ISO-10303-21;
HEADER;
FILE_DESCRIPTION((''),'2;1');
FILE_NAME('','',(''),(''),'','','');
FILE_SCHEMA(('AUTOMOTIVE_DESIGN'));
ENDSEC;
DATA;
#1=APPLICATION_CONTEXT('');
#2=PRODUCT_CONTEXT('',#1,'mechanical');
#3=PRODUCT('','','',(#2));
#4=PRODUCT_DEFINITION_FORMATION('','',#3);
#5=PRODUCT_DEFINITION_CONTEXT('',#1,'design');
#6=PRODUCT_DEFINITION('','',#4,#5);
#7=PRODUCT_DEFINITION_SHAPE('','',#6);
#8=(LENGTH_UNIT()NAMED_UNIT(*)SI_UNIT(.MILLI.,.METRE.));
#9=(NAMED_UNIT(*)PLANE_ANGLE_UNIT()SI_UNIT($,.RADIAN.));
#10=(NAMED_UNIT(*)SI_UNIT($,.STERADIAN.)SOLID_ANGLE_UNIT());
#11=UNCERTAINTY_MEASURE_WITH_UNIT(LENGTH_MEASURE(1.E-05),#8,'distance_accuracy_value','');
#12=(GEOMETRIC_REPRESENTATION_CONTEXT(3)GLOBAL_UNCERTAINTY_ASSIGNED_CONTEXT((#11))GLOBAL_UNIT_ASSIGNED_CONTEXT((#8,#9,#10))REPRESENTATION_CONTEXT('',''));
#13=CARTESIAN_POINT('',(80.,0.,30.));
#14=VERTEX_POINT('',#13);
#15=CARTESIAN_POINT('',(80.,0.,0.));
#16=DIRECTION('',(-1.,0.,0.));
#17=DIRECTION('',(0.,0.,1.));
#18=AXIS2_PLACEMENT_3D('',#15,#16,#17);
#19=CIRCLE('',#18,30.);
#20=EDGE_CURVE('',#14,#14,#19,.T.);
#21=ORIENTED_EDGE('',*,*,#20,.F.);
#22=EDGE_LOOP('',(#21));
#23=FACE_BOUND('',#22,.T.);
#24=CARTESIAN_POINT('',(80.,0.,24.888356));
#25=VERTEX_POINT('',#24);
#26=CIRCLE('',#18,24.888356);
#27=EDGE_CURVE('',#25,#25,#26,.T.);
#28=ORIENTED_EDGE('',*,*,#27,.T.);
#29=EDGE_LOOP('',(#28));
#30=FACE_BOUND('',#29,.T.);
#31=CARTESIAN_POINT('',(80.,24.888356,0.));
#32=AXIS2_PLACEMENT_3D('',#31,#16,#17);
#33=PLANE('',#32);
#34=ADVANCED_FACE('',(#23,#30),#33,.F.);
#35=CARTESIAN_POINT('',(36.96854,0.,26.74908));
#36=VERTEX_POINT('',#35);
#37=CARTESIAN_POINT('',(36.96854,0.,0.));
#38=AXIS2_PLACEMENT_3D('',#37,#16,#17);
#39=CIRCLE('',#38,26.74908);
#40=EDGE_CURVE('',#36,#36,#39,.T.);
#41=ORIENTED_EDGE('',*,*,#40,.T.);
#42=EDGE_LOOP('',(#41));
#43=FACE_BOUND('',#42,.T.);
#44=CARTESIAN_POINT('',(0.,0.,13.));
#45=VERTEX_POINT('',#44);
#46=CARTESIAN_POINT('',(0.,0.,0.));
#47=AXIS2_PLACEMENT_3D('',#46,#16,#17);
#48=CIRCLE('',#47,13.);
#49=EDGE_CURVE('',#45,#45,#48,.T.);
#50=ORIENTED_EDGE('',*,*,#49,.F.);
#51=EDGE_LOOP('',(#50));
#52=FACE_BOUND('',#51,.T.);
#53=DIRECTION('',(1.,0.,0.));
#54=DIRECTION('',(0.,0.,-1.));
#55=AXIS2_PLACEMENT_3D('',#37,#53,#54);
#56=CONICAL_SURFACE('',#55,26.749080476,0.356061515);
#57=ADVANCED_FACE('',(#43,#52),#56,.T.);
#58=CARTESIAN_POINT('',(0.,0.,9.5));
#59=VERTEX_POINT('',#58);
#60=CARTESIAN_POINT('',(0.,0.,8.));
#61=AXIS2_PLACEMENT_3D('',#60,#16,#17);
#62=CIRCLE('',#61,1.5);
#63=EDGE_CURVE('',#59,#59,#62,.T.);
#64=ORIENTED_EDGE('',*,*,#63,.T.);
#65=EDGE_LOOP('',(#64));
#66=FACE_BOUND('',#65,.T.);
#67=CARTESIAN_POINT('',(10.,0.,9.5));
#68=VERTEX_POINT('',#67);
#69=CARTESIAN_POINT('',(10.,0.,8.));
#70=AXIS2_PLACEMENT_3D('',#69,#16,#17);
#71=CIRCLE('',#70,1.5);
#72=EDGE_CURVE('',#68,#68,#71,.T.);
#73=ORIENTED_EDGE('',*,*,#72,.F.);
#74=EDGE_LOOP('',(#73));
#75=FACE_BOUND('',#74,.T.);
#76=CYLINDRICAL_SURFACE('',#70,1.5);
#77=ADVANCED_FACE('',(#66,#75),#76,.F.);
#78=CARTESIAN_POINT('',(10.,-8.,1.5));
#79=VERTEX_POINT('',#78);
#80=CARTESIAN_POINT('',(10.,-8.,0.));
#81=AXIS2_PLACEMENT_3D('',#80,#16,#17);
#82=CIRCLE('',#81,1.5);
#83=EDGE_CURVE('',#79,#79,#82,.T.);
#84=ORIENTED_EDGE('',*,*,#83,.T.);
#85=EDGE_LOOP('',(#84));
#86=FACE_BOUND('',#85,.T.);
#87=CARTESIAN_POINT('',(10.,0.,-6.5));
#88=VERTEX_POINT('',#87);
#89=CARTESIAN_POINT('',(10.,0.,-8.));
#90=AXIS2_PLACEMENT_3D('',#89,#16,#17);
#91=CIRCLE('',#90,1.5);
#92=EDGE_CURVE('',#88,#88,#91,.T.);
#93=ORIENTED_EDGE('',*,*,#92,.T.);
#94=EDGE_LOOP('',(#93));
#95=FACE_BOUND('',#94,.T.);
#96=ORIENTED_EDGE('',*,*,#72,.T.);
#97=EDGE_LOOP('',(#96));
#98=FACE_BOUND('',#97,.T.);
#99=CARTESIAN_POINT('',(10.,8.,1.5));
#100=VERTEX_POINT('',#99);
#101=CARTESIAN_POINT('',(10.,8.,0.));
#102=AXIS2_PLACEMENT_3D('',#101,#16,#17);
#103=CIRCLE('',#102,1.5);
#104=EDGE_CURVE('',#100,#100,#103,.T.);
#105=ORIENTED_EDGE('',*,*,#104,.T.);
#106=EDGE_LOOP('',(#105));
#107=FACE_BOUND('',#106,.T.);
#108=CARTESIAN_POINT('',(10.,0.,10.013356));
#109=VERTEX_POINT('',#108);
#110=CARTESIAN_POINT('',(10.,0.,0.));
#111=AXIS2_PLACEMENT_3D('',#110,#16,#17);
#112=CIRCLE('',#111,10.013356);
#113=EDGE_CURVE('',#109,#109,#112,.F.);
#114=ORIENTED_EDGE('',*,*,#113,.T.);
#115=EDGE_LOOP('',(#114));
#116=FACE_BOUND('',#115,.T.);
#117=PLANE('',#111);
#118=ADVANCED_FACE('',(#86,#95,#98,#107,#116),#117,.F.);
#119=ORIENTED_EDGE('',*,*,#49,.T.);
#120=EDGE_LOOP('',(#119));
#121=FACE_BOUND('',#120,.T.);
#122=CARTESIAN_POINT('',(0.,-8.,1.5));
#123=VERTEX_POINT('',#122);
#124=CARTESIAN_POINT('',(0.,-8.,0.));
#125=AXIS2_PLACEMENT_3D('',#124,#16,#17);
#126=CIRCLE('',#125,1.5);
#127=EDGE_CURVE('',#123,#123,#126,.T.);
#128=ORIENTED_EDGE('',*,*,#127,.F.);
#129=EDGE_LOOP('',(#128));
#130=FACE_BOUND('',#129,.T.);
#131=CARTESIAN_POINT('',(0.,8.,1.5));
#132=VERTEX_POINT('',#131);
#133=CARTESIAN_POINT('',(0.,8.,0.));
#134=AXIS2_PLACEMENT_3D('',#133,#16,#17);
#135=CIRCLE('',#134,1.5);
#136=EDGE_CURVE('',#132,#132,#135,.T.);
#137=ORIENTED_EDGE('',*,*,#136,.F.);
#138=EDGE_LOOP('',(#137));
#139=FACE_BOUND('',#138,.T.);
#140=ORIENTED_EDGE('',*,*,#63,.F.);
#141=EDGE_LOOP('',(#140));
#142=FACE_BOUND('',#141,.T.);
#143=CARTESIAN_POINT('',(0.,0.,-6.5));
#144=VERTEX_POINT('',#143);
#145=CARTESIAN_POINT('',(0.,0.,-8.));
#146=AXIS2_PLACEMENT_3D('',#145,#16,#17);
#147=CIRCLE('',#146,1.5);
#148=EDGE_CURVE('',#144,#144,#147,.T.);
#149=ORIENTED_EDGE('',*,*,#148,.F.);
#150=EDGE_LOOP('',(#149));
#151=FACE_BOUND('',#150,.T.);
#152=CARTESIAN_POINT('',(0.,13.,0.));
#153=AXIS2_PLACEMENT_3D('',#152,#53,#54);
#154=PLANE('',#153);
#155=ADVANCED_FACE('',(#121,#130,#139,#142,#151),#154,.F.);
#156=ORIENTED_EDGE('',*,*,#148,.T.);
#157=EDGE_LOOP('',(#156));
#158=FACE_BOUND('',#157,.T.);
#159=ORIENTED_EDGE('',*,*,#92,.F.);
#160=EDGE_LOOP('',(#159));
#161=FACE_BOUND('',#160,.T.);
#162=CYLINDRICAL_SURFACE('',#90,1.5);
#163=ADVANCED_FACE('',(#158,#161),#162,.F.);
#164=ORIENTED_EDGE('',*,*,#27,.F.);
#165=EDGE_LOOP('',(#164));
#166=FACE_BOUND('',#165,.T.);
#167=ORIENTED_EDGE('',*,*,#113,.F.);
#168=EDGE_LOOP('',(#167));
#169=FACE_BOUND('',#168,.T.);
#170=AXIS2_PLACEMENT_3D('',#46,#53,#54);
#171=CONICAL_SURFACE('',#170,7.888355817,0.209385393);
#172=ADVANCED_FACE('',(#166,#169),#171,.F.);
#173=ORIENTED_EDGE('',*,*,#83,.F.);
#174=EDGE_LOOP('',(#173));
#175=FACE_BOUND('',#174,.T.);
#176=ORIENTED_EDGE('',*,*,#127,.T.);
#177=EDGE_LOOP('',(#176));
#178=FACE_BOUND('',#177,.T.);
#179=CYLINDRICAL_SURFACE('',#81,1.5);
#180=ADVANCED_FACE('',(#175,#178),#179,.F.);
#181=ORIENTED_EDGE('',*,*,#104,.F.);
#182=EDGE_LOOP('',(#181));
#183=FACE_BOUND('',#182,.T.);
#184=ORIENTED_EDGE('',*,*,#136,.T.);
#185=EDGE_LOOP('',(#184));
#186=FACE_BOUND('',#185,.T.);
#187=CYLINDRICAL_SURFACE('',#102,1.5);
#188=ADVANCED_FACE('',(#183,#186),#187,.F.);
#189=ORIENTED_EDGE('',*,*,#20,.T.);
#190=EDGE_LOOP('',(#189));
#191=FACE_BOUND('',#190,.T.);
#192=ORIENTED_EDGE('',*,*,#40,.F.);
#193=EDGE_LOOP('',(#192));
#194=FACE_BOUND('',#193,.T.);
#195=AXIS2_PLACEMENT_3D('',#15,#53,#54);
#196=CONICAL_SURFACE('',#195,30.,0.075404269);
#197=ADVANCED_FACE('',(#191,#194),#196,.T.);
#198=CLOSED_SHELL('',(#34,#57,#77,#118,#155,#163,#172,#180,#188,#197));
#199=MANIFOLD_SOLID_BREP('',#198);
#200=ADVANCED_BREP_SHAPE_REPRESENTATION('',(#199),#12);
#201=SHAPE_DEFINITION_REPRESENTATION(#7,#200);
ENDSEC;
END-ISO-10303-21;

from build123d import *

# Parameters (mm, degrees)
SKETCH6_R           = 13
BOSS_EXTRUDE1_DEPTH = 10
SKETCH7_R           = 1.5
CUT_EXTRUDE1_DEPTH  = 10


with BuildPart() as part:
    # Sketch2 → Revolve5 (revolve)
    with BuildSketch(Plane.XY, mode=Mode.PRIVATE) as revolve5_sk:
        Polygon((0, 13), (0, 7.888355817), (80, 24.888355817), (80, 30), (36.968539733, 26.749080476), align=None)
    revolve(revolve5_sk.sketch.rotate(Axis((0, 0, 0), (1, 0, 0)), 90), axis=Axis((0, 0, 0), (1, 0, 0)))

    # Sketch6 → Boss-Extrude1 (add)
    with BuildSketch(Plane.ZY):
        Circle(SKETCH6_R)
    extrude(amount=-BOSS_EXTRUDE1_DEPTH)

    # Sketch7 → Cut-Extrude1 (cut)
    with BuildSketch(Plane.ZY):
        with Locations((0, 8)):
            Circle(SKETCH7_R)
        with Locations((0, -8)):
            Circle(SKETCH7_R)
        with Locations((8, 0)):
            Circle(SKETCH7_R)
        with Locations((-8, 0)):
            Circle(SKETCH7_R)
    extrude(amount=-CUT_EXTRUDE1_DEPTH, mode=Mode.SUBTRACT)


solid = part.part
